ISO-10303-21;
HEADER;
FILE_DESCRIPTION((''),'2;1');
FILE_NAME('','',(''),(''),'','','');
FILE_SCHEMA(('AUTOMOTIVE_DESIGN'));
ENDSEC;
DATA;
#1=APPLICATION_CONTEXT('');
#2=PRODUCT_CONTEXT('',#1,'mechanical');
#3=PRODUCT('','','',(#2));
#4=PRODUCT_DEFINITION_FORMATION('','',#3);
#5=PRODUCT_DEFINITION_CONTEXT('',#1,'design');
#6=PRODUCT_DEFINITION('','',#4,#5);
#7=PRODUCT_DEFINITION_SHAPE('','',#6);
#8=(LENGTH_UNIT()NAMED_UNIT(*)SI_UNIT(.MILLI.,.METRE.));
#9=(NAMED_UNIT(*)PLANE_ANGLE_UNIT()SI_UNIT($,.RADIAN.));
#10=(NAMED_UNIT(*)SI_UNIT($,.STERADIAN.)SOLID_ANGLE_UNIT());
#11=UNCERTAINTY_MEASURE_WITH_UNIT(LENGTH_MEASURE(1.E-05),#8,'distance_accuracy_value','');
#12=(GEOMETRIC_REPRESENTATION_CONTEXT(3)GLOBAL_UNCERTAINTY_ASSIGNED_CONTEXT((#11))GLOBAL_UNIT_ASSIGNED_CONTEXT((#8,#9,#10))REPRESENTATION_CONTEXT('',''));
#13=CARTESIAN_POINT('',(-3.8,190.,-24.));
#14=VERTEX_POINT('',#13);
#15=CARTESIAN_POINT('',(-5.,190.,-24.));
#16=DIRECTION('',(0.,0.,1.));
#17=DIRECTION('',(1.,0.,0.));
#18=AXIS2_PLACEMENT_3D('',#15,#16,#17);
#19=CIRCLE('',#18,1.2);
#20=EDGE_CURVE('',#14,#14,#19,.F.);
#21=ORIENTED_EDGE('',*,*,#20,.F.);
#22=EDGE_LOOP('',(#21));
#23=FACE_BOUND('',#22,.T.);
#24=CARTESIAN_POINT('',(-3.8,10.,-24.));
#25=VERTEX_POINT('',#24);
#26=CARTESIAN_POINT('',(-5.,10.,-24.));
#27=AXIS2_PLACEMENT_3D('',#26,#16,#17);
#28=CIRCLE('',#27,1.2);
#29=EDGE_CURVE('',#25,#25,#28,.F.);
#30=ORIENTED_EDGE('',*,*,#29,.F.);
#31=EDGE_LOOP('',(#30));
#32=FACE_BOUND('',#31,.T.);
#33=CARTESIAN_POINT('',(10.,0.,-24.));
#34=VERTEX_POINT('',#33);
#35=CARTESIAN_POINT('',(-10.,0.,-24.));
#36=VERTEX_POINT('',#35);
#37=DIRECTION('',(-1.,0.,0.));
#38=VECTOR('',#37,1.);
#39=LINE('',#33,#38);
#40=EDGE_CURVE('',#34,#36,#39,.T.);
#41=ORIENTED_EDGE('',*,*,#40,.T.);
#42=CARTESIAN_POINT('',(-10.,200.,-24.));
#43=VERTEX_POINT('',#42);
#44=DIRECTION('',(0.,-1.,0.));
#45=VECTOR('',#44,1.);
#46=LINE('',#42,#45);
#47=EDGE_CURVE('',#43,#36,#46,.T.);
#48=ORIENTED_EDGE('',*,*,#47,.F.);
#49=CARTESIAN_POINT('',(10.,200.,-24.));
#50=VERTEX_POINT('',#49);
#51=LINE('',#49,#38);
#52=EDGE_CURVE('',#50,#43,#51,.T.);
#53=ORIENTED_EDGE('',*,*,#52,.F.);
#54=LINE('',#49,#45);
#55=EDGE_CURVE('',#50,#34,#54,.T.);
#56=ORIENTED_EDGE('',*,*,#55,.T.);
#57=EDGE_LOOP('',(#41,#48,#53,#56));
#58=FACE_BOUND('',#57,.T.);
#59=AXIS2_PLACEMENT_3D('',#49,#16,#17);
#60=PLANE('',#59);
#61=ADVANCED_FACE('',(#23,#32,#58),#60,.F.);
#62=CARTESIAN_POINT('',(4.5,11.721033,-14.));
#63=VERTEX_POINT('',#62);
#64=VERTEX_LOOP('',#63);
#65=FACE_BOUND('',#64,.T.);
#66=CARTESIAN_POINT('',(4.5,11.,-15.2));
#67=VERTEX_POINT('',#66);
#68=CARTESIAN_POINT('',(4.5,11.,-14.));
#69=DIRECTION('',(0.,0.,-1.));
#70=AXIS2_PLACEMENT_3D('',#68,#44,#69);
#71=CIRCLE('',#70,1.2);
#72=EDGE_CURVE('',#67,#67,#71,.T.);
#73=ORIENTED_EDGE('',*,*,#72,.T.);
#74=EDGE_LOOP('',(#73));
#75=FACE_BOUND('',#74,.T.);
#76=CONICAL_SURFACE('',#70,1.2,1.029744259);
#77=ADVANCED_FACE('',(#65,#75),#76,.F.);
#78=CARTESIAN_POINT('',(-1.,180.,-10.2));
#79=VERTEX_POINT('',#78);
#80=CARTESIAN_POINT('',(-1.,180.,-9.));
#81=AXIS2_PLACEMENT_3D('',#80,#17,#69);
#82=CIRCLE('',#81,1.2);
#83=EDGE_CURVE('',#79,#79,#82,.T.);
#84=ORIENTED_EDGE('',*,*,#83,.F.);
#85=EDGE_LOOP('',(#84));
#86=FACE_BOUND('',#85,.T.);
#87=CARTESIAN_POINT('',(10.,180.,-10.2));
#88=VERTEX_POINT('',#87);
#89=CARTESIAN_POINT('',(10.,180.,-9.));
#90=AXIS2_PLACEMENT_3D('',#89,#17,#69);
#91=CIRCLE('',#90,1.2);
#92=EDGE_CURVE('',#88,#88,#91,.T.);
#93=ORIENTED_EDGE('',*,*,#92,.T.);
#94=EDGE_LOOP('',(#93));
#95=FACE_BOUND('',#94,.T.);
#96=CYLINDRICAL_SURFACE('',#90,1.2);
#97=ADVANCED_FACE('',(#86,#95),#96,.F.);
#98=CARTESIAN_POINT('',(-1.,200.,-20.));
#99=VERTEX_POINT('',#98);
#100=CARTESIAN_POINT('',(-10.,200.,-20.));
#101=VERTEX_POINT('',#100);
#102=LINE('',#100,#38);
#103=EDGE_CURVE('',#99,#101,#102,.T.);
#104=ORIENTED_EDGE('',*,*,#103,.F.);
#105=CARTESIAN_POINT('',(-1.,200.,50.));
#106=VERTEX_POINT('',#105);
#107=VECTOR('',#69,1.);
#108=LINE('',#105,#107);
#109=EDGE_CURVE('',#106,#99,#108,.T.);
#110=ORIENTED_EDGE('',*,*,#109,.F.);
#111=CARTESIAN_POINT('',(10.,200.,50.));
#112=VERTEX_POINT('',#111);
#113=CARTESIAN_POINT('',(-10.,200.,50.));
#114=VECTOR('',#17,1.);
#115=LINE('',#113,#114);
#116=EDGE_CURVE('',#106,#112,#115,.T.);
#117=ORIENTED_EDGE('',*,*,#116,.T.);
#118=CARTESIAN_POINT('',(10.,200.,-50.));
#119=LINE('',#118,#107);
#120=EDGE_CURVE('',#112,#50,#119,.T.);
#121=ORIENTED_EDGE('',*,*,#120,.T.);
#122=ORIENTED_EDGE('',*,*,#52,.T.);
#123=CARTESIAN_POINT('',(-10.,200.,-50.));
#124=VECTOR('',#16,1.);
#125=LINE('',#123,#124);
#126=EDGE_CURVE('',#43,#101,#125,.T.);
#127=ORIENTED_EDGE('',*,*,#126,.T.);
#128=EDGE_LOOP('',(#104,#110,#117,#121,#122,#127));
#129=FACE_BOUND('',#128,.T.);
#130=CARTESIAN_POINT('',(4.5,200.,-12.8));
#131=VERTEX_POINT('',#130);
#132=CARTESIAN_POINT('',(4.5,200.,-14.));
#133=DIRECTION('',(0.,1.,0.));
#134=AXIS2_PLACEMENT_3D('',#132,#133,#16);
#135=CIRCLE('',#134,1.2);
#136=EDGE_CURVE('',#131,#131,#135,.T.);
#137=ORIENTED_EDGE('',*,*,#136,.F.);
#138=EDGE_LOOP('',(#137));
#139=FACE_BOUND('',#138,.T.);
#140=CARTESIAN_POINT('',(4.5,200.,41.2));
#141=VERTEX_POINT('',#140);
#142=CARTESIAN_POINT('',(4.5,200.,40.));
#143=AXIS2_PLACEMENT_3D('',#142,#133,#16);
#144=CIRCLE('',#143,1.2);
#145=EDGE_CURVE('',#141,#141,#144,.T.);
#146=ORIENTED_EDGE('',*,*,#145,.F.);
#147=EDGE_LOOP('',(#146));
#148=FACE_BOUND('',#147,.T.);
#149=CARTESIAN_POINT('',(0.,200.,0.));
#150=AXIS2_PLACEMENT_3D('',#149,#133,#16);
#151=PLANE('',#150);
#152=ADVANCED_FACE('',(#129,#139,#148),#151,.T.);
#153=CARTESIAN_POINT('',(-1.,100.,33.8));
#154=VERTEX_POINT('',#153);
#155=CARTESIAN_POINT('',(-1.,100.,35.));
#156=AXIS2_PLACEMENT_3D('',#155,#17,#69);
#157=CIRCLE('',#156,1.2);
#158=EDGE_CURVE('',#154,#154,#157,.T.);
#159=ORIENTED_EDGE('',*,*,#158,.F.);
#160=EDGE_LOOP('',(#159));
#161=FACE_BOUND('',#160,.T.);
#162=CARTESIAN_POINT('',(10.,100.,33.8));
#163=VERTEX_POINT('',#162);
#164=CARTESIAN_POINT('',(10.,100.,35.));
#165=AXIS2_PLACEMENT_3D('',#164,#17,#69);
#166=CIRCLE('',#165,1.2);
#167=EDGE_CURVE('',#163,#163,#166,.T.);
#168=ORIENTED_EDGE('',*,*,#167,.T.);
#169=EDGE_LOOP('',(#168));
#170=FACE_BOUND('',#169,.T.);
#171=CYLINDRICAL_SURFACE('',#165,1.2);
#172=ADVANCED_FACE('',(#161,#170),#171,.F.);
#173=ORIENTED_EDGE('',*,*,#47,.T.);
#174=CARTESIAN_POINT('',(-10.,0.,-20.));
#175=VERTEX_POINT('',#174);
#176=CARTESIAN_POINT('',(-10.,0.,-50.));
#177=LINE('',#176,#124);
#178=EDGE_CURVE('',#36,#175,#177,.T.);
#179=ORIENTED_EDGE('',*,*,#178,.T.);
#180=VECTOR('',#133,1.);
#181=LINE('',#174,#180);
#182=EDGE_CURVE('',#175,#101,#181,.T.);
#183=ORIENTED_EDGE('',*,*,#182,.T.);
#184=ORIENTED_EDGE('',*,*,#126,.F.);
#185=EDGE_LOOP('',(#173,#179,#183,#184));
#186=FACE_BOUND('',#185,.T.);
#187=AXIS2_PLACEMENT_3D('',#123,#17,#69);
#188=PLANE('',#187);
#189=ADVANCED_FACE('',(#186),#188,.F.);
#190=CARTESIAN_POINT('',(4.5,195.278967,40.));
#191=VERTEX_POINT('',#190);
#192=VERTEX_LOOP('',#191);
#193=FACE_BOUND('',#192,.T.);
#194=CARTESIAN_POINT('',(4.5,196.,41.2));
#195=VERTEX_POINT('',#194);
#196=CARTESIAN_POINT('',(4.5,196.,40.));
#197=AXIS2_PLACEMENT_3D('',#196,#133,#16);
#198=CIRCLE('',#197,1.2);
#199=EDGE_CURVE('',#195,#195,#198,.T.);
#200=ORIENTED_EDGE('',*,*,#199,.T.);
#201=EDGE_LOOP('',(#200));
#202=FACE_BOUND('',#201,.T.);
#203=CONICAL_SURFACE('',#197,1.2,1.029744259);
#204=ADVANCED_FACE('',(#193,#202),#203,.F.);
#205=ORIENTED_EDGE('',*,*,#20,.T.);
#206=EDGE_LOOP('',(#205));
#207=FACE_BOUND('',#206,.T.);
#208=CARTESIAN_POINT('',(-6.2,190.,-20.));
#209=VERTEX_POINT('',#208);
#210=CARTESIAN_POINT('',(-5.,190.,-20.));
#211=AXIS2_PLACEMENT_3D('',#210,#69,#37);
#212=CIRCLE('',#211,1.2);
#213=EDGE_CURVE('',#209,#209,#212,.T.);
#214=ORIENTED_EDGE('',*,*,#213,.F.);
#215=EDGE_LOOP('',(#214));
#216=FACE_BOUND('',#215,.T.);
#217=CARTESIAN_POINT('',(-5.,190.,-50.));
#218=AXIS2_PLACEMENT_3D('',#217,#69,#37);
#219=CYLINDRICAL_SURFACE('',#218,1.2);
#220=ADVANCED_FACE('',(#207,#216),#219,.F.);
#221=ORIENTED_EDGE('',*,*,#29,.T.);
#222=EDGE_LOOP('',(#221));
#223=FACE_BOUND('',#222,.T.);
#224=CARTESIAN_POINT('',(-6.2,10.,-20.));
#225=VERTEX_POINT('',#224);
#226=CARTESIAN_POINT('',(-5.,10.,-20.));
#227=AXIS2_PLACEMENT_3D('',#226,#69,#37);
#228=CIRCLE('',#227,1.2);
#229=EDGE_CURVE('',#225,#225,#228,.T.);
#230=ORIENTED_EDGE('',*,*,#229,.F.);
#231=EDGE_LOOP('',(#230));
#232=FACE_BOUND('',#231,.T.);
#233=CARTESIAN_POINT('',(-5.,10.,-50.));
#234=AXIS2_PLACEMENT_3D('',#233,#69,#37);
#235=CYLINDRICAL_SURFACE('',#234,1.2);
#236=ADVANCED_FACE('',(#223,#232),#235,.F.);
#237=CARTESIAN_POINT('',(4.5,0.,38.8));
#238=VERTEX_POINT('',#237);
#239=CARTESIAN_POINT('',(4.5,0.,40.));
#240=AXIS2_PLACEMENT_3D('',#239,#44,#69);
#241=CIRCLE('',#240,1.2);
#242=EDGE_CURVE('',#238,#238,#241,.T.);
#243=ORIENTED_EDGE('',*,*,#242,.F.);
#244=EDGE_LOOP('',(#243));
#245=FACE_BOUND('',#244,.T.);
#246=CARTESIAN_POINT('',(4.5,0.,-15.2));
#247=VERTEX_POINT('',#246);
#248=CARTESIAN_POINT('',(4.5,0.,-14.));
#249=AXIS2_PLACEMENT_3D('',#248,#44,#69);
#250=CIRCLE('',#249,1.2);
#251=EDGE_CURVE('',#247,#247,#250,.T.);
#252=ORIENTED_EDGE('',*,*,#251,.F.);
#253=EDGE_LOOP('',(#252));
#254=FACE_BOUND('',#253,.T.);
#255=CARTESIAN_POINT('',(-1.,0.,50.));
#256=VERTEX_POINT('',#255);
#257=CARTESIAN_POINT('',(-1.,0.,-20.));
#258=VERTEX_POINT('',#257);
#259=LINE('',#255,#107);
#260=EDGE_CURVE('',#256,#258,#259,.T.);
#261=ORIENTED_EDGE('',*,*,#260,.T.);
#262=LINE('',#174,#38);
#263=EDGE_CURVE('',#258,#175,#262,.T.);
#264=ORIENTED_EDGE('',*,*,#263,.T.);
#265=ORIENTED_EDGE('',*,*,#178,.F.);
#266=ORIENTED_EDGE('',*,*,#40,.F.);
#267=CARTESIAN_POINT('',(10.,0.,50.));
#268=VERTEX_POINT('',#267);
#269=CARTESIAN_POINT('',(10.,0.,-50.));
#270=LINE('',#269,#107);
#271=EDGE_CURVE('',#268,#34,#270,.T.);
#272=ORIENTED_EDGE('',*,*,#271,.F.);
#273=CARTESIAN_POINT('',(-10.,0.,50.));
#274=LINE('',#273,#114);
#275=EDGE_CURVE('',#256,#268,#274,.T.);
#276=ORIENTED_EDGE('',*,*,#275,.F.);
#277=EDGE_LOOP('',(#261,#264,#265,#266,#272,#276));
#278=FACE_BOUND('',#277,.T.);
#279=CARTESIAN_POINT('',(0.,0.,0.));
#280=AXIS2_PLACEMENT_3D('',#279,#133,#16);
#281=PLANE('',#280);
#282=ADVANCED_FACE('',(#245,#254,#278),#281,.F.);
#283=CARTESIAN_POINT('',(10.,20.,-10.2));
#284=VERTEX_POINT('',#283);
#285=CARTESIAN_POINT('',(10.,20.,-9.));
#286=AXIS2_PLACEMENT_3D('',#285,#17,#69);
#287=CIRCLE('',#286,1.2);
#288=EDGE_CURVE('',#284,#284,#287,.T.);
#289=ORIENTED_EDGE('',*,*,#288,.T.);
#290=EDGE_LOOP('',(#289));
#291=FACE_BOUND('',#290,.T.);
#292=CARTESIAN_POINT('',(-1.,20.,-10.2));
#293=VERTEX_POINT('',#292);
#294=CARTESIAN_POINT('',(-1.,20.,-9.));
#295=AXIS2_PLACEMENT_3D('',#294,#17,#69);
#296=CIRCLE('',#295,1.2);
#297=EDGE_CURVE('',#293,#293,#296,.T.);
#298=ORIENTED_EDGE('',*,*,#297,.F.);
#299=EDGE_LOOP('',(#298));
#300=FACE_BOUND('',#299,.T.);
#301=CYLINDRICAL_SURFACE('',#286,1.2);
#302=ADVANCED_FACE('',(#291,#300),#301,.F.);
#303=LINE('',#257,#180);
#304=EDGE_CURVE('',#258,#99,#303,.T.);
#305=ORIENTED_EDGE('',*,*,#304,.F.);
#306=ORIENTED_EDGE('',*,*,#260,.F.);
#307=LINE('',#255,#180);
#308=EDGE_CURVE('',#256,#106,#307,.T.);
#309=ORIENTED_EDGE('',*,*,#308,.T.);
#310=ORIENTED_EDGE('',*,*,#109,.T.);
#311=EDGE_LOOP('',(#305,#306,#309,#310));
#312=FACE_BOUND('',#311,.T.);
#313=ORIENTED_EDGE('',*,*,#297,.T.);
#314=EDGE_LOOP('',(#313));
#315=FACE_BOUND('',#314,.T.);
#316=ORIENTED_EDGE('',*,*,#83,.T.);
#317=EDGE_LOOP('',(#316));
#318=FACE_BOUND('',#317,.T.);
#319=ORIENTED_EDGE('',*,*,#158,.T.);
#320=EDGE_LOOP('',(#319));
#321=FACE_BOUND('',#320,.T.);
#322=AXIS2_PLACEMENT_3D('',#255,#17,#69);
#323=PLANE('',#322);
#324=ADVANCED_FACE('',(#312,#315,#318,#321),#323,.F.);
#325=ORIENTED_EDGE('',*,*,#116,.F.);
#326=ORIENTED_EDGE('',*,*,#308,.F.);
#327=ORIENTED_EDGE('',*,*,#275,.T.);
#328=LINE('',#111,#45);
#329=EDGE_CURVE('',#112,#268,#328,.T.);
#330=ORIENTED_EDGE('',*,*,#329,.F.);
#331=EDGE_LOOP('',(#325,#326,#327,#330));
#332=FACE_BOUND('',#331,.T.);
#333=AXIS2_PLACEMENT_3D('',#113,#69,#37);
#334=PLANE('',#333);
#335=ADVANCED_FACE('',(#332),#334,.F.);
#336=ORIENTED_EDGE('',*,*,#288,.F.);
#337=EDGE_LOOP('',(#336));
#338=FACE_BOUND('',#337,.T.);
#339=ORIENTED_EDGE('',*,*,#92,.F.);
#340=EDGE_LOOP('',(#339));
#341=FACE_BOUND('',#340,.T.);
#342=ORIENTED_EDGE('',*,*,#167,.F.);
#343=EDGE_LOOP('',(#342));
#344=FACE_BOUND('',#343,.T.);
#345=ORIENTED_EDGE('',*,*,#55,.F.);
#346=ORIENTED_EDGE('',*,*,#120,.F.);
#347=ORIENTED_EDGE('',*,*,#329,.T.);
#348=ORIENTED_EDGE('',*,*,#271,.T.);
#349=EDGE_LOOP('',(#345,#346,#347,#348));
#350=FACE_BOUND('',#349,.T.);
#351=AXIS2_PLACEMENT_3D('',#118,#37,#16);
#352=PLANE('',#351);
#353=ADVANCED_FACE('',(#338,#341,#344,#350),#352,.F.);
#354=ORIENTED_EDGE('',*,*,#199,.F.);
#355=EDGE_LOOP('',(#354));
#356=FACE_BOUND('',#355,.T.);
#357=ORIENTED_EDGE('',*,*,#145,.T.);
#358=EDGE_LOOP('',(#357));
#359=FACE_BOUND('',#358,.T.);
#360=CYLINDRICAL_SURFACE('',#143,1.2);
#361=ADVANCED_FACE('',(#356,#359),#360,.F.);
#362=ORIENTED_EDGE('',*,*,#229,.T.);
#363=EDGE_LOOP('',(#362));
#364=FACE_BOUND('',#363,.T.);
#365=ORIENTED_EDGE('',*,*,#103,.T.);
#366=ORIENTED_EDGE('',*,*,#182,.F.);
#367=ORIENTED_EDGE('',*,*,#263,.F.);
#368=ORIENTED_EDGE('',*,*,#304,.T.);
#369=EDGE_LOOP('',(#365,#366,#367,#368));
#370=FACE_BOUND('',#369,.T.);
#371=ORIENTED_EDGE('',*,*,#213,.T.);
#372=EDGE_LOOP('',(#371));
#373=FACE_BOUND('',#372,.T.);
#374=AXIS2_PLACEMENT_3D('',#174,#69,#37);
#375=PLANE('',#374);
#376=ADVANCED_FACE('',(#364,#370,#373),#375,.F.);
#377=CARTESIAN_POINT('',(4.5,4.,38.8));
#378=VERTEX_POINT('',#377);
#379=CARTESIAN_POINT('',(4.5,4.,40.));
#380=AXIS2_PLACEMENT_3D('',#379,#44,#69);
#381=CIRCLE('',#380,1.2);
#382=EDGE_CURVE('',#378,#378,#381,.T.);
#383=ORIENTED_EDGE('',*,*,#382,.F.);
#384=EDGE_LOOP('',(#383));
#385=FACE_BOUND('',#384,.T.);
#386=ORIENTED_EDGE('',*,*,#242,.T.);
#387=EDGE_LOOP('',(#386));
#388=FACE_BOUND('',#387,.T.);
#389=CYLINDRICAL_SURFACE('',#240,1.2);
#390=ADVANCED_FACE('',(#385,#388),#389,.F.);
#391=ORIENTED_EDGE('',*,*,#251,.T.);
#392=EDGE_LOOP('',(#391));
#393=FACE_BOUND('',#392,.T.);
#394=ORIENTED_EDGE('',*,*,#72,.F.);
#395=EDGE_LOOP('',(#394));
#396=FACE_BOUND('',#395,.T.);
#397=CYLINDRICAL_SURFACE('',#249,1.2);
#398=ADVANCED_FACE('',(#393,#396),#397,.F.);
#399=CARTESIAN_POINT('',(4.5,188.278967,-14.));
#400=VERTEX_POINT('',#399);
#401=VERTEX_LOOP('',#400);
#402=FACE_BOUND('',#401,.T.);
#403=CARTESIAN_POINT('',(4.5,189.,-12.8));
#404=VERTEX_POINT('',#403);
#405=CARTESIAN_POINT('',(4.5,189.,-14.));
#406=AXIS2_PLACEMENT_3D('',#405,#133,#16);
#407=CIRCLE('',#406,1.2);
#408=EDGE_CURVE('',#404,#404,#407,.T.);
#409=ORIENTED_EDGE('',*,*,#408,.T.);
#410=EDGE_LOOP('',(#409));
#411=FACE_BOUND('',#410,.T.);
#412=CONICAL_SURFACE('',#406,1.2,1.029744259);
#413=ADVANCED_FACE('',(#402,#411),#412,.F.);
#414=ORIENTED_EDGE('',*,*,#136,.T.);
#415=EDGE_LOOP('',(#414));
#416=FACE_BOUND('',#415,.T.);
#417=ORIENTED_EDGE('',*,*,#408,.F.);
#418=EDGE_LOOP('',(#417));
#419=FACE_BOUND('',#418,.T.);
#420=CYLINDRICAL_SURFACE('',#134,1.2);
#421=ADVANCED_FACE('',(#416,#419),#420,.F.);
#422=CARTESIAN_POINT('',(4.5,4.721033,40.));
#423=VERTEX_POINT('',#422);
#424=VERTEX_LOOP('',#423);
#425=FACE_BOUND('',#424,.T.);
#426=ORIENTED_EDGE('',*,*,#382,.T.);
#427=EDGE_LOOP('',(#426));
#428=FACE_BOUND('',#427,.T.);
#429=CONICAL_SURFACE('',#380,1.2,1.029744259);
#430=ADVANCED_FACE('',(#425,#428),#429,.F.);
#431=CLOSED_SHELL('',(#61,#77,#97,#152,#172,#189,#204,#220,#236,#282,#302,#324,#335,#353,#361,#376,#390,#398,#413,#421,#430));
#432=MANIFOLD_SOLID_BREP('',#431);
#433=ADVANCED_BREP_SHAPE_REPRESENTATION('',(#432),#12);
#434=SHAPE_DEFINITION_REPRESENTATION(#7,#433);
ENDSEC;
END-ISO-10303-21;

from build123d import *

# Parameters (mm, degrees)
SKETCH1_W                = 20
SKETCH1_H                = 100
BOSS_EXTRUDE1_DEPTH      = 200
SKETCH2_W                = 9
SKETCH2_H                = 70
CUT_EXTRUDE1_DEPTH       = 207.397674406
M2_CLEARANCE_HOLE1_D     = 2.4
M2_CLEARANCE_HOLE1_DEPTH = 4
M2_CLEARANCE_HOLE1_TIP   = 0.721032743
M2_CLEARANCE_HOLE2_D     = 2.4
M2_CLEARANCE_HOLE2_DEPTH = 4
M2_CLEARANCE_HOLE2_TIP   = 0.721032743
M2_CLEARANCE_HOLE4_D     = 2.4
SKETCH13_W               = 20
SKETCH13_H               = 26
CUT_EXTRUDE2_DEPTH       = 207.397674406
M2_CLEARANCE_HOLE5_D     = 2.4
M2_CLEARANCE_HOLE5_DEPTH = 11
M2_CLEARANCE_HOLE5_TIP   = 0.721032743
M2_CLEARANCE_HOLE6_D     = 2.4
M2_CLEARANCE_HOLE6_DEPTH = 11
M2_CLEARANCE_HOLE6_TIP   = 0.721032743
M2_CLEARANCE_HOLE7_D     = 2.4
M2_CLEARANCE_HOLE7_DEPTH = 11
M2_CLEARANCE_HOLE7_TIP   = 0.721032743


with BuildPart() as part:
    # Sketch1 → Boss-Extrude1 (new body)
    with BuildSketch(Plane(origin=(0, 0, 0), x_dir=(1, 0, 0), z_dir=(0, 1, 0))):
        Rectangle(SKETCH1_W, SKETCH1_H)
    extrude(amount=BOSS_EXTRUDE1_DEPTH)

    # Sketch2 → Cut-Extrude1 (cut, through all)
    with BuildSketch(Plane(origin=(0, 200, 0), x_dir=(1, 0, 0), z_dir=(0, 1, 0))):
        with Locations((-5.5, -15)):
            Rectangle(SKETCH2_W, SKETCH2_H)
    extrude(amount=-CUT_EXTRUDE1_DEPTH, mode=Mode.SUBTRACT)

    # M2 Clearance Hole1
    with Locations(Plane(origin=(0, 200, 0), x_dir=(1, 0, 0), z_dir=(0, 1, 0))):
        with Locations((4.5, 40), (4.5, -40)):
            Hole(M2_CLEARANCE_HOLE1_D / 2, depth=M2_CLEARANCE_HOLE1_DEPTH)
            with Locations((0, 0, -(M2_CLEARANCE_HOLE1_DEPTH + M2_CLEARANCE_HOLE1_TIP / 2))):  # 118° drill point
                Cone(0, M2_CLEARANCE_HOLE1_D / 2, M2_CLEARANCE_HOLE1_TIP, mode=Mode.SUBTRACT)

    # M2 Clearance Hole2
    with Locations(Plane(origin=(0, 0, 0), x_dir=(-1, 0, 0), z_dir=(0, -1, 0))):
        with Locations((-4.5, 40), (-4.5, -40)):
            Hole(M2_CLEARANCE_HOLE2_D / 2, depth=M2_CLEARANCE_HOLE2_DEPTH)
            with Locations((0, 0, -(M2_CLEARANCE_HOLE2_DEPTH + M2_CLEARANCE_HOLE2_TIP / 2))):  # 118° drill point
                Cone(0, M2_CLEARANCE_HOLE2_D / 2, M2_CLEARANCE_HOLE2_TIP, mode=Mode.SUBTRACT)

    # M2 Clearance Hole4 (through all)
    with Locations(Plane(origin=(0, 0, -50), x_dir=(-1, 0, 0), z_dir=(0, 0, -1))):
        with Locations((5, 190), (5, 10)):
            Hole(M2_CLEARANCE_HOLE4_D / 2)

    # Sketch13 → Cut-Extrude2 (cut, through all)
    with BuildSketch(Plane.XZ):
        with Locations((0, -37)):
            Rectangle(SKETCH13_W, SKETCH13_H)
    extrude(amount=-CUT_EXTRUDE2_DEPTH, mode=Mode.SUBTRACT)

    # M2 Clearance Hole5
    with Locations(Plane(origin=(0, 0, 0), x_dir=(-1, 0, 0), z_dir=(0, -1, 0))):
        with Locations((-4.5, 14)):
            Hole(M2_CLEARANCE_HOLE5_D / 2, depth=M2_CLEARANCE_HOLE5_DEPTH)
            with Locations((0, 0, -(M2_CLEARANCE_HOLE5_DEPTH + M2_CLEARANCE_HOLE5_TIP / 2))):  # 118° drill point
                Cone(0, M2_CLEARANCE_HOLE5_D / 2, M2_CLEARANCE_HOLE5_TIP, mode=Mode.SUBTRACT)

    # M2 Clearance Hole6
    with Locations(Plane(origin=(0, 200, 0), x_dir=(1, 0, 0), z_dir=(0, 1, 0))):
        with Locations((4.5, 14)):
            Hole(M2_CLEARANCE_HOLE6_D / 2, depth=M2_CLEARANCE_HOLE6_DEPTH)
            with Locations((0, 0, -(M2_CLEARANCE_HOLE6_DEPTH + M2_CLEARANCE_HOLE6_TIP / 2))):  # 118° drill point
                Cone(0, M2_CLEARANCE_HOLE6_D / 2, M2_CLEARANCE_HOLE6_TIP, mode=Mode.SUBTRACT)

    # M2 Clearance Hole7
    with Locations(Plane(origin=(10, 0, 0), x_dir=(0, 0, -1), z_dir=(1, 0, 0))):
        with Locations((9, 20), (9, 180), (-35, 100)):
            Hole(M2_CLEARANCE_HOLE7_D / 2, depth=M2_CLEARANCE_HOLE7_DEPTH)
            with Locations((0, 0, -(M2_CLEARANCE_HOLE7_DEPTH + M2_CLEARANCE_HOLE7_TIP / 2))):  # 118° drill point
                Cone(0, M2_CLEARANCE_HOLE7_D / 2, M2_CLEARANCE_HOLE7_TIP, mode=Mode.SUBTRACT)


solid = part.part
